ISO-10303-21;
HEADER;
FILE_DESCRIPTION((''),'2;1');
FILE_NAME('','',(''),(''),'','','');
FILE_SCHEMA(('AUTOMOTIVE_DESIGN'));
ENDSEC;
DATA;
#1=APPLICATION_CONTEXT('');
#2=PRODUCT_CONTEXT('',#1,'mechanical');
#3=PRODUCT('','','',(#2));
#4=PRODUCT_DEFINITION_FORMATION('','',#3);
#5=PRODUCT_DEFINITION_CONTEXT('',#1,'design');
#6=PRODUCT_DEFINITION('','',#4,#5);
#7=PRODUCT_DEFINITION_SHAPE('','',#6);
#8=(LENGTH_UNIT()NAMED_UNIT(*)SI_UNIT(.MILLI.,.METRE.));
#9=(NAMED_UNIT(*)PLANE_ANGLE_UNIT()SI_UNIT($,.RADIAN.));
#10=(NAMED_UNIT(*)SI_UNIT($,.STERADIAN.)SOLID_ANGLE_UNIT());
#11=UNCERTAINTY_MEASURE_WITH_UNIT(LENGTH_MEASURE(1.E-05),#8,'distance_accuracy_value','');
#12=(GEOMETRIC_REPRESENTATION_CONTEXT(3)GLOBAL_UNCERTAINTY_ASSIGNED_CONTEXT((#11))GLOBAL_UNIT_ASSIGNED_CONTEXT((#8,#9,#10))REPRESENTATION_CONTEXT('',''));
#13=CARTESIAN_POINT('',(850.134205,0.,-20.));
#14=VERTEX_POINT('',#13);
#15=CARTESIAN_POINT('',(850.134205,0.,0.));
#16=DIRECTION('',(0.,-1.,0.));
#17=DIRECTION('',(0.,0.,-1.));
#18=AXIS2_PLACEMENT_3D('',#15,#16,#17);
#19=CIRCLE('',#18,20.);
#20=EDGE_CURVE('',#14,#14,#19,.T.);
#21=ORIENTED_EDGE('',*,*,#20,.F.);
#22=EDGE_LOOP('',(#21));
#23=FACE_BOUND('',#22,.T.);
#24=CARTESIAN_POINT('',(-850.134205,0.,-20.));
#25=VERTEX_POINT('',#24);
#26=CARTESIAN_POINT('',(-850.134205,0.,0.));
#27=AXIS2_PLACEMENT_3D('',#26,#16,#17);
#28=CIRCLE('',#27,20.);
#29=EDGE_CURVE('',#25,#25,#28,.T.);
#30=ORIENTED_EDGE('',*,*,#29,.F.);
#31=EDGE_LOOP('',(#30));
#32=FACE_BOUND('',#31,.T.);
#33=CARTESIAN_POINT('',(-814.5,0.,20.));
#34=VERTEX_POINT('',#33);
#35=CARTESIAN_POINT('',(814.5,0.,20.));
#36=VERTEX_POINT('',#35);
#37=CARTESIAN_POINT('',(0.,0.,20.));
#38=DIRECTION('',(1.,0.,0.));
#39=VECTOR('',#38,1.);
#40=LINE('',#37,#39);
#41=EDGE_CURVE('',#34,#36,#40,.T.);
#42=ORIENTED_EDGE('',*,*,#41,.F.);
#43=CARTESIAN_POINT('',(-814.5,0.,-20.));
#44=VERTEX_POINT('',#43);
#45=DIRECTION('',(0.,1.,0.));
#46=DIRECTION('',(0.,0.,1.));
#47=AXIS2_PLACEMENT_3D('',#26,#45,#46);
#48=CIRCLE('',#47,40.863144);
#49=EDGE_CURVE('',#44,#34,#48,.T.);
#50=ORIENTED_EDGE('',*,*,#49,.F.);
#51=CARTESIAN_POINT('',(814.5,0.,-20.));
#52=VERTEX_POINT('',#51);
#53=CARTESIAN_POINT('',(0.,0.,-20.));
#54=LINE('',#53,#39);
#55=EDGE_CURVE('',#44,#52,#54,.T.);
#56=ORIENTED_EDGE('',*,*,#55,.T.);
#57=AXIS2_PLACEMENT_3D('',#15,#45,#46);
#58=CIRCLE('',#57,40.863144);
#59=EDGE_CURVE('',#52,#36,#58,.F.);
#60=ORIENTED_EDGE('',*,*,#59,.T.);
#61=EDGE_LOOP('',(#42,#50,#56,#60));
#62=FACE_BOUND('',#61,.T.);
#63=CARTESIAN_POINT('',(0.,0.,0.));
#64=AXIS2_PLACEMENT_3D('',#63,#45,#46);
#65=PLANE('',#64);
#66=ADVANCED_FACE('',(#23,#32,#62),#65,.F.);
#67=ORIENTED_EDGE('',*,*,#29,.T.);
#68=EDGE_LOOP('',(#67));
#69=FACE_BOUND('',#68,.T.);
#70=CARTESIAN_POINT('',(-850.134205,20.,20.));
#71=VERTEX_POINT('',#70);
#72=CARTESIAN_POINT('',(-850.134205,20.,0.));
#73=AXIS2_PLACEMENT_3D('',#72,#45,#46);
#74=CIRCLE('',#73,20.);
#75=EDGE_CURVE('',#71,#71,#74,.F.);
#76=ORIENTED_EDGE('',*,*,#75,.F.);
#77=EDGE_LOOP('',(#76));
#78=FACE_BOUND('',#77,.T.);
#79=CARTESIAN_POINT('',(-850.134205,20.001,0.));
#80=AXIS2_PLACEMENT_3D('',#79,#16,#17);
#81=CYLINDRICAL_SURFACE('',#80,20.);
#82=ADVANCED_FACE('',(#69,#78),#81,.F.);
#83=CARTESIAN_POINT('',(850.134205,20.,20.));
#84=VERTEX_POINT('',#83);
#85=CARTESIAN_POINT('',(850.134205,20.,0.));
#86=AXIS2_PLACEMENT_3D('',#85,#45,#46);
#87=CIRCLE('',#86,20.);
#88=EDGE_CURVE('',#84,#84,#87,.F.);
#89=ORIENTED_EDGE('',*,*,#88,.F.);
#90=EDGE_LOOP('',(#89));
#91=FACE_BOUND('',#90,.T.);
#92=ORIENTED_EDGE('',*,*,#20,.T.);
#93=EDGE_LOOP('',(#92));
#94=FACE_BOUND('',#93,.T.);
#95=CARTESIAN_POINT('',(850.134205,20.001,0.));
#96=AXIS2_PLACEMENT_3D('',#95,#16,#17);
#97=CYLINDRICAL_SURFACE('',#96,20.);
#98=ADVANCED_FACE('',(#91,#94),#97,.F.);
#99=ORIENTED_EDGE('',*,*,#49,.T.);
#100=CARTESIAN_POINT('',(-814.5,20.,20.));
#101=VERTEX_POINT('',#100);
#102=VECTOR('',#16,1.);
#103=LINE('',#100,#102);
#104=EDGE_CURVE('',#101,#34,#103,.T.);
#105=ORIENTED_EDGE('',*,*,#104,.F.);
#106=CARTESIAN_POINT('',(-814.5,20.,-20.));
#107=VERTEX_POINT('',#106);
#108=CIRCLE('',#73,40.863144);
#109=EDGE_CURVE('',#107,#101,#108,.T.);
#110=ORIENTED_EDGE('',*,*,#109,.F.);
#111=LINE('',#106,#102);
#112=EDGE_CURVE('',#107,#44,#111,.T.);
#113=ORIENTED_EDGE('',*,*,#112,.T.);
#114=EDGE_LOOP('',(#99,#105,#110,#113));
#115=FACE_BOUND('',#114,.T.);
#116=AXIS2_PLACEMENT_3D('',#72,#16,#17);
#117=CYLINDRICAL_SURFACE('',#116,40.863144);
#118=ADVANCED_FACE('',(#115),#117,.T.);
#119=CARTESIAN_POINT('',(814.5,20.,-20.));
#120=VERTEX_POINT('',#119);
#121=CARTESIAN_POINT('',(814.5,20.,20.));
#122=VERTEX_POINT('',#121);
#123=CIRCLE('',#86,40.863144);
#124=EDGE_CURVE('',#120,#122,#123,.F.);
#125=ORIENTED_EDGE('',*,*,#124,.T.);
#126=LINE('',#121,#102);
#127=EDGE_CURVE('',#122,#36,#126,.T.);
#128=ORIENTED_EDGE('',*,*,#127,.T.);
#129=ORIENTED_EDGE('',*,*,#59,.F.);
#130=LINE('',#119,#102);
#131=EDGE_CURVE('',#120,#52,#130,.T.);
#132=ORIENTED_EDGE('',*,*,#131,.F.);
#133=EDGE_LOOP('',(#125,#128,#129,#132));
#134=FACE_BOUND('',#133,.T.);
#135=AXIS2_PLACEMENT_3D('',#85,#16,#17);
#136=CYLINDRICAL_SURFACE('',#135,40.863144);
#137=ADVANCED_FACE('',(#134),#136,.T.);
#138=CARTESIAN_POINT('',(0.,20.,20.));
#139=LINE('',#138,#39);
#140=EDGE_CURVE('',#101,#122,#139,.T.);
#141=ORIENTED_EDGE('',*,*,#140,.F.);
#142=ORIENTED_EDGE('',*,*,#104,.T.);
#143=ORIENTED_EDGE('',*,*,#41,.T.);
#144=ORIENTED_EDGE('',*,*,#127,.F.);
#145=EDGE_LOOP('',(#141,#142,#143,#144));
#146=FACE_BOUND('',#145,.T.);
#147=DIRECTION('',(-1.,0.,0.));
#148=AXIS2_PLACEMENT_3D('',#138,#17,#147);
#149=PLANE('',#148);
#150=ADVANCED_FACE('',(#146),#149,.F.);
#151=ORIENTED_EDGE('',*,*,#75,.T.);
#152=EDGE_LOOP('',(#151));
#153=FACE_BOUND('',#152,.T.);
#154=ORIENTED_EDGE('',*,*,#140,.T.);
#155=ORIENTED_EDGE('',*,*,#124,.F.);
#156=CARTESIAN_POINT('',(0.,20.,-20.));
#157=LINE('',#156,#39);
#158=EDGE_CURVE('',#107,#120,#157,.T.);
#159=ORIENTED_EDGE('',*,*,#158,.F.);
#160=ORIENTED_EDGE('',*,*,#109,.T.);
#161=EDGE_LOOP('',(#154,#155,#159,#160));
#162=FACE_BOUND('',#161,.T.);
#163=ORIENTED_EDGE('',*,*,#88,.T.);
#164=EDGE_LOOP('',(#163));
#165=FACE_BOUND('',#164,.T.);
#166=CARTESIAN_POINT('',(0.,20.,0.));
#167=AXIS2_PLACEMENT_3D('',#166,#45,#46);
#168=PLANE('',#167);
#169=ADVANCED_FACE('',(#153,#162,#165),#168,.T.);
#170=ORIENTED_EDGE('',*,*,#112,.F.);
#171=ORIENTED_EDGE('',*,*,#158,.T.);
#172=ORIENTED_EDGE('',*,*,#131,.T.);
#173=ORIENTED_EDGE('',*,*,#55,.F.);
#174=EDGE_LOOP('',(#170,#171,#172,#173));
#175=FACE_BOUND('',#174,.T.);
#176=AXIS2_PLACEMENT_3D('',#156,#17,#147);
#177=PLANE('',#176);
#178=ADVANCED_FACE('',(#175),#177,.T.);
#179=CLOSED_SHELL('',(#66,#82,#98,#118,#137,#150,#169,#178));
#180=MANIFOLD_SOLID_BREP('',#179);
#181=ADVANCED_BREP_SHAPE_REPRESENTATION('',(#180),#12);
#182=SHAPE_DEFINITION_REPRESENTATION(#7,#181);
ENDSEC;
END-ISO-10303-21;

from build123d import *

# Parameters (mm, degrees)
SKETCH4_R           = 40.863144044
SKETCH4_W           = 1629
SKETCH4_H           = 40
BOSS_EXTRUDE1_DEPTH = 20
CUT_EXTRUDE1_REACH  = 894.158
SKETCH6_R           = 20


with BuildPart() as part:
    # Sketch4 → Boss-Extrude1 (new body)
    with BuildSketch(Plane(origin=(0, 0, 0), x_dir=(1, 0, 0), z_dir=(0, 1, 0))):
        with Locations((-850.134204652, 0)):
            Circle(SKETCH4_R)
        with Locations((850.134204652, 0)):
            Circle(SKETCH4_R)
        Rectangle(SKETCH4_W, SKETCH4_H)
    extrude(amount=BOSS_EXTRUDE1_DEPTH)

    # Sketch6 → Cut-Extrude1 (cut, up to next)
    with BuildSketch(Plane.XZ, mode=Mode.PRIVATE) as cut_extrude1_sk1:
        with Locations(Location((-850.134204652, 0, 0), (0, 0, 270))):
            Circle(SKETCH6_R)
    cut_extrude1_tool1 = extrude(cut_extrude1_sk1.sketch, amount=-CUT_EXTRUDE1_REACH, mode=Mode.PRIVATE) & part.part
    # Sketch6 → Cut-Extrude1 (cut, up to next)
    with BuildSketch(Plane.XZ, mode=Mode.PRIVATE) as cut_extrude1_sk2:
        with Locations(Location((850.134204652, 0, 0), (0, 0, 270))):
            Circle(SKETCH6_R)
    cut_extrude1_tool2 = extrude(cut_extrude1_sk2.sketch, amount=-CUT_EXTRUDE1_REACH, mode=Mode.PRIVATE) & part.part
    add(cut_extrude1_tool1.solids().sort_by_distance((-850.134205, 0, 0))[0], mode=Mode.SUBTRACT)
    add(cut_extrude1_tool2.solids().sort_by_distance((850.134205, 0, 0))[0], mode=Mode.SUBTRACT)


solid = part.part
